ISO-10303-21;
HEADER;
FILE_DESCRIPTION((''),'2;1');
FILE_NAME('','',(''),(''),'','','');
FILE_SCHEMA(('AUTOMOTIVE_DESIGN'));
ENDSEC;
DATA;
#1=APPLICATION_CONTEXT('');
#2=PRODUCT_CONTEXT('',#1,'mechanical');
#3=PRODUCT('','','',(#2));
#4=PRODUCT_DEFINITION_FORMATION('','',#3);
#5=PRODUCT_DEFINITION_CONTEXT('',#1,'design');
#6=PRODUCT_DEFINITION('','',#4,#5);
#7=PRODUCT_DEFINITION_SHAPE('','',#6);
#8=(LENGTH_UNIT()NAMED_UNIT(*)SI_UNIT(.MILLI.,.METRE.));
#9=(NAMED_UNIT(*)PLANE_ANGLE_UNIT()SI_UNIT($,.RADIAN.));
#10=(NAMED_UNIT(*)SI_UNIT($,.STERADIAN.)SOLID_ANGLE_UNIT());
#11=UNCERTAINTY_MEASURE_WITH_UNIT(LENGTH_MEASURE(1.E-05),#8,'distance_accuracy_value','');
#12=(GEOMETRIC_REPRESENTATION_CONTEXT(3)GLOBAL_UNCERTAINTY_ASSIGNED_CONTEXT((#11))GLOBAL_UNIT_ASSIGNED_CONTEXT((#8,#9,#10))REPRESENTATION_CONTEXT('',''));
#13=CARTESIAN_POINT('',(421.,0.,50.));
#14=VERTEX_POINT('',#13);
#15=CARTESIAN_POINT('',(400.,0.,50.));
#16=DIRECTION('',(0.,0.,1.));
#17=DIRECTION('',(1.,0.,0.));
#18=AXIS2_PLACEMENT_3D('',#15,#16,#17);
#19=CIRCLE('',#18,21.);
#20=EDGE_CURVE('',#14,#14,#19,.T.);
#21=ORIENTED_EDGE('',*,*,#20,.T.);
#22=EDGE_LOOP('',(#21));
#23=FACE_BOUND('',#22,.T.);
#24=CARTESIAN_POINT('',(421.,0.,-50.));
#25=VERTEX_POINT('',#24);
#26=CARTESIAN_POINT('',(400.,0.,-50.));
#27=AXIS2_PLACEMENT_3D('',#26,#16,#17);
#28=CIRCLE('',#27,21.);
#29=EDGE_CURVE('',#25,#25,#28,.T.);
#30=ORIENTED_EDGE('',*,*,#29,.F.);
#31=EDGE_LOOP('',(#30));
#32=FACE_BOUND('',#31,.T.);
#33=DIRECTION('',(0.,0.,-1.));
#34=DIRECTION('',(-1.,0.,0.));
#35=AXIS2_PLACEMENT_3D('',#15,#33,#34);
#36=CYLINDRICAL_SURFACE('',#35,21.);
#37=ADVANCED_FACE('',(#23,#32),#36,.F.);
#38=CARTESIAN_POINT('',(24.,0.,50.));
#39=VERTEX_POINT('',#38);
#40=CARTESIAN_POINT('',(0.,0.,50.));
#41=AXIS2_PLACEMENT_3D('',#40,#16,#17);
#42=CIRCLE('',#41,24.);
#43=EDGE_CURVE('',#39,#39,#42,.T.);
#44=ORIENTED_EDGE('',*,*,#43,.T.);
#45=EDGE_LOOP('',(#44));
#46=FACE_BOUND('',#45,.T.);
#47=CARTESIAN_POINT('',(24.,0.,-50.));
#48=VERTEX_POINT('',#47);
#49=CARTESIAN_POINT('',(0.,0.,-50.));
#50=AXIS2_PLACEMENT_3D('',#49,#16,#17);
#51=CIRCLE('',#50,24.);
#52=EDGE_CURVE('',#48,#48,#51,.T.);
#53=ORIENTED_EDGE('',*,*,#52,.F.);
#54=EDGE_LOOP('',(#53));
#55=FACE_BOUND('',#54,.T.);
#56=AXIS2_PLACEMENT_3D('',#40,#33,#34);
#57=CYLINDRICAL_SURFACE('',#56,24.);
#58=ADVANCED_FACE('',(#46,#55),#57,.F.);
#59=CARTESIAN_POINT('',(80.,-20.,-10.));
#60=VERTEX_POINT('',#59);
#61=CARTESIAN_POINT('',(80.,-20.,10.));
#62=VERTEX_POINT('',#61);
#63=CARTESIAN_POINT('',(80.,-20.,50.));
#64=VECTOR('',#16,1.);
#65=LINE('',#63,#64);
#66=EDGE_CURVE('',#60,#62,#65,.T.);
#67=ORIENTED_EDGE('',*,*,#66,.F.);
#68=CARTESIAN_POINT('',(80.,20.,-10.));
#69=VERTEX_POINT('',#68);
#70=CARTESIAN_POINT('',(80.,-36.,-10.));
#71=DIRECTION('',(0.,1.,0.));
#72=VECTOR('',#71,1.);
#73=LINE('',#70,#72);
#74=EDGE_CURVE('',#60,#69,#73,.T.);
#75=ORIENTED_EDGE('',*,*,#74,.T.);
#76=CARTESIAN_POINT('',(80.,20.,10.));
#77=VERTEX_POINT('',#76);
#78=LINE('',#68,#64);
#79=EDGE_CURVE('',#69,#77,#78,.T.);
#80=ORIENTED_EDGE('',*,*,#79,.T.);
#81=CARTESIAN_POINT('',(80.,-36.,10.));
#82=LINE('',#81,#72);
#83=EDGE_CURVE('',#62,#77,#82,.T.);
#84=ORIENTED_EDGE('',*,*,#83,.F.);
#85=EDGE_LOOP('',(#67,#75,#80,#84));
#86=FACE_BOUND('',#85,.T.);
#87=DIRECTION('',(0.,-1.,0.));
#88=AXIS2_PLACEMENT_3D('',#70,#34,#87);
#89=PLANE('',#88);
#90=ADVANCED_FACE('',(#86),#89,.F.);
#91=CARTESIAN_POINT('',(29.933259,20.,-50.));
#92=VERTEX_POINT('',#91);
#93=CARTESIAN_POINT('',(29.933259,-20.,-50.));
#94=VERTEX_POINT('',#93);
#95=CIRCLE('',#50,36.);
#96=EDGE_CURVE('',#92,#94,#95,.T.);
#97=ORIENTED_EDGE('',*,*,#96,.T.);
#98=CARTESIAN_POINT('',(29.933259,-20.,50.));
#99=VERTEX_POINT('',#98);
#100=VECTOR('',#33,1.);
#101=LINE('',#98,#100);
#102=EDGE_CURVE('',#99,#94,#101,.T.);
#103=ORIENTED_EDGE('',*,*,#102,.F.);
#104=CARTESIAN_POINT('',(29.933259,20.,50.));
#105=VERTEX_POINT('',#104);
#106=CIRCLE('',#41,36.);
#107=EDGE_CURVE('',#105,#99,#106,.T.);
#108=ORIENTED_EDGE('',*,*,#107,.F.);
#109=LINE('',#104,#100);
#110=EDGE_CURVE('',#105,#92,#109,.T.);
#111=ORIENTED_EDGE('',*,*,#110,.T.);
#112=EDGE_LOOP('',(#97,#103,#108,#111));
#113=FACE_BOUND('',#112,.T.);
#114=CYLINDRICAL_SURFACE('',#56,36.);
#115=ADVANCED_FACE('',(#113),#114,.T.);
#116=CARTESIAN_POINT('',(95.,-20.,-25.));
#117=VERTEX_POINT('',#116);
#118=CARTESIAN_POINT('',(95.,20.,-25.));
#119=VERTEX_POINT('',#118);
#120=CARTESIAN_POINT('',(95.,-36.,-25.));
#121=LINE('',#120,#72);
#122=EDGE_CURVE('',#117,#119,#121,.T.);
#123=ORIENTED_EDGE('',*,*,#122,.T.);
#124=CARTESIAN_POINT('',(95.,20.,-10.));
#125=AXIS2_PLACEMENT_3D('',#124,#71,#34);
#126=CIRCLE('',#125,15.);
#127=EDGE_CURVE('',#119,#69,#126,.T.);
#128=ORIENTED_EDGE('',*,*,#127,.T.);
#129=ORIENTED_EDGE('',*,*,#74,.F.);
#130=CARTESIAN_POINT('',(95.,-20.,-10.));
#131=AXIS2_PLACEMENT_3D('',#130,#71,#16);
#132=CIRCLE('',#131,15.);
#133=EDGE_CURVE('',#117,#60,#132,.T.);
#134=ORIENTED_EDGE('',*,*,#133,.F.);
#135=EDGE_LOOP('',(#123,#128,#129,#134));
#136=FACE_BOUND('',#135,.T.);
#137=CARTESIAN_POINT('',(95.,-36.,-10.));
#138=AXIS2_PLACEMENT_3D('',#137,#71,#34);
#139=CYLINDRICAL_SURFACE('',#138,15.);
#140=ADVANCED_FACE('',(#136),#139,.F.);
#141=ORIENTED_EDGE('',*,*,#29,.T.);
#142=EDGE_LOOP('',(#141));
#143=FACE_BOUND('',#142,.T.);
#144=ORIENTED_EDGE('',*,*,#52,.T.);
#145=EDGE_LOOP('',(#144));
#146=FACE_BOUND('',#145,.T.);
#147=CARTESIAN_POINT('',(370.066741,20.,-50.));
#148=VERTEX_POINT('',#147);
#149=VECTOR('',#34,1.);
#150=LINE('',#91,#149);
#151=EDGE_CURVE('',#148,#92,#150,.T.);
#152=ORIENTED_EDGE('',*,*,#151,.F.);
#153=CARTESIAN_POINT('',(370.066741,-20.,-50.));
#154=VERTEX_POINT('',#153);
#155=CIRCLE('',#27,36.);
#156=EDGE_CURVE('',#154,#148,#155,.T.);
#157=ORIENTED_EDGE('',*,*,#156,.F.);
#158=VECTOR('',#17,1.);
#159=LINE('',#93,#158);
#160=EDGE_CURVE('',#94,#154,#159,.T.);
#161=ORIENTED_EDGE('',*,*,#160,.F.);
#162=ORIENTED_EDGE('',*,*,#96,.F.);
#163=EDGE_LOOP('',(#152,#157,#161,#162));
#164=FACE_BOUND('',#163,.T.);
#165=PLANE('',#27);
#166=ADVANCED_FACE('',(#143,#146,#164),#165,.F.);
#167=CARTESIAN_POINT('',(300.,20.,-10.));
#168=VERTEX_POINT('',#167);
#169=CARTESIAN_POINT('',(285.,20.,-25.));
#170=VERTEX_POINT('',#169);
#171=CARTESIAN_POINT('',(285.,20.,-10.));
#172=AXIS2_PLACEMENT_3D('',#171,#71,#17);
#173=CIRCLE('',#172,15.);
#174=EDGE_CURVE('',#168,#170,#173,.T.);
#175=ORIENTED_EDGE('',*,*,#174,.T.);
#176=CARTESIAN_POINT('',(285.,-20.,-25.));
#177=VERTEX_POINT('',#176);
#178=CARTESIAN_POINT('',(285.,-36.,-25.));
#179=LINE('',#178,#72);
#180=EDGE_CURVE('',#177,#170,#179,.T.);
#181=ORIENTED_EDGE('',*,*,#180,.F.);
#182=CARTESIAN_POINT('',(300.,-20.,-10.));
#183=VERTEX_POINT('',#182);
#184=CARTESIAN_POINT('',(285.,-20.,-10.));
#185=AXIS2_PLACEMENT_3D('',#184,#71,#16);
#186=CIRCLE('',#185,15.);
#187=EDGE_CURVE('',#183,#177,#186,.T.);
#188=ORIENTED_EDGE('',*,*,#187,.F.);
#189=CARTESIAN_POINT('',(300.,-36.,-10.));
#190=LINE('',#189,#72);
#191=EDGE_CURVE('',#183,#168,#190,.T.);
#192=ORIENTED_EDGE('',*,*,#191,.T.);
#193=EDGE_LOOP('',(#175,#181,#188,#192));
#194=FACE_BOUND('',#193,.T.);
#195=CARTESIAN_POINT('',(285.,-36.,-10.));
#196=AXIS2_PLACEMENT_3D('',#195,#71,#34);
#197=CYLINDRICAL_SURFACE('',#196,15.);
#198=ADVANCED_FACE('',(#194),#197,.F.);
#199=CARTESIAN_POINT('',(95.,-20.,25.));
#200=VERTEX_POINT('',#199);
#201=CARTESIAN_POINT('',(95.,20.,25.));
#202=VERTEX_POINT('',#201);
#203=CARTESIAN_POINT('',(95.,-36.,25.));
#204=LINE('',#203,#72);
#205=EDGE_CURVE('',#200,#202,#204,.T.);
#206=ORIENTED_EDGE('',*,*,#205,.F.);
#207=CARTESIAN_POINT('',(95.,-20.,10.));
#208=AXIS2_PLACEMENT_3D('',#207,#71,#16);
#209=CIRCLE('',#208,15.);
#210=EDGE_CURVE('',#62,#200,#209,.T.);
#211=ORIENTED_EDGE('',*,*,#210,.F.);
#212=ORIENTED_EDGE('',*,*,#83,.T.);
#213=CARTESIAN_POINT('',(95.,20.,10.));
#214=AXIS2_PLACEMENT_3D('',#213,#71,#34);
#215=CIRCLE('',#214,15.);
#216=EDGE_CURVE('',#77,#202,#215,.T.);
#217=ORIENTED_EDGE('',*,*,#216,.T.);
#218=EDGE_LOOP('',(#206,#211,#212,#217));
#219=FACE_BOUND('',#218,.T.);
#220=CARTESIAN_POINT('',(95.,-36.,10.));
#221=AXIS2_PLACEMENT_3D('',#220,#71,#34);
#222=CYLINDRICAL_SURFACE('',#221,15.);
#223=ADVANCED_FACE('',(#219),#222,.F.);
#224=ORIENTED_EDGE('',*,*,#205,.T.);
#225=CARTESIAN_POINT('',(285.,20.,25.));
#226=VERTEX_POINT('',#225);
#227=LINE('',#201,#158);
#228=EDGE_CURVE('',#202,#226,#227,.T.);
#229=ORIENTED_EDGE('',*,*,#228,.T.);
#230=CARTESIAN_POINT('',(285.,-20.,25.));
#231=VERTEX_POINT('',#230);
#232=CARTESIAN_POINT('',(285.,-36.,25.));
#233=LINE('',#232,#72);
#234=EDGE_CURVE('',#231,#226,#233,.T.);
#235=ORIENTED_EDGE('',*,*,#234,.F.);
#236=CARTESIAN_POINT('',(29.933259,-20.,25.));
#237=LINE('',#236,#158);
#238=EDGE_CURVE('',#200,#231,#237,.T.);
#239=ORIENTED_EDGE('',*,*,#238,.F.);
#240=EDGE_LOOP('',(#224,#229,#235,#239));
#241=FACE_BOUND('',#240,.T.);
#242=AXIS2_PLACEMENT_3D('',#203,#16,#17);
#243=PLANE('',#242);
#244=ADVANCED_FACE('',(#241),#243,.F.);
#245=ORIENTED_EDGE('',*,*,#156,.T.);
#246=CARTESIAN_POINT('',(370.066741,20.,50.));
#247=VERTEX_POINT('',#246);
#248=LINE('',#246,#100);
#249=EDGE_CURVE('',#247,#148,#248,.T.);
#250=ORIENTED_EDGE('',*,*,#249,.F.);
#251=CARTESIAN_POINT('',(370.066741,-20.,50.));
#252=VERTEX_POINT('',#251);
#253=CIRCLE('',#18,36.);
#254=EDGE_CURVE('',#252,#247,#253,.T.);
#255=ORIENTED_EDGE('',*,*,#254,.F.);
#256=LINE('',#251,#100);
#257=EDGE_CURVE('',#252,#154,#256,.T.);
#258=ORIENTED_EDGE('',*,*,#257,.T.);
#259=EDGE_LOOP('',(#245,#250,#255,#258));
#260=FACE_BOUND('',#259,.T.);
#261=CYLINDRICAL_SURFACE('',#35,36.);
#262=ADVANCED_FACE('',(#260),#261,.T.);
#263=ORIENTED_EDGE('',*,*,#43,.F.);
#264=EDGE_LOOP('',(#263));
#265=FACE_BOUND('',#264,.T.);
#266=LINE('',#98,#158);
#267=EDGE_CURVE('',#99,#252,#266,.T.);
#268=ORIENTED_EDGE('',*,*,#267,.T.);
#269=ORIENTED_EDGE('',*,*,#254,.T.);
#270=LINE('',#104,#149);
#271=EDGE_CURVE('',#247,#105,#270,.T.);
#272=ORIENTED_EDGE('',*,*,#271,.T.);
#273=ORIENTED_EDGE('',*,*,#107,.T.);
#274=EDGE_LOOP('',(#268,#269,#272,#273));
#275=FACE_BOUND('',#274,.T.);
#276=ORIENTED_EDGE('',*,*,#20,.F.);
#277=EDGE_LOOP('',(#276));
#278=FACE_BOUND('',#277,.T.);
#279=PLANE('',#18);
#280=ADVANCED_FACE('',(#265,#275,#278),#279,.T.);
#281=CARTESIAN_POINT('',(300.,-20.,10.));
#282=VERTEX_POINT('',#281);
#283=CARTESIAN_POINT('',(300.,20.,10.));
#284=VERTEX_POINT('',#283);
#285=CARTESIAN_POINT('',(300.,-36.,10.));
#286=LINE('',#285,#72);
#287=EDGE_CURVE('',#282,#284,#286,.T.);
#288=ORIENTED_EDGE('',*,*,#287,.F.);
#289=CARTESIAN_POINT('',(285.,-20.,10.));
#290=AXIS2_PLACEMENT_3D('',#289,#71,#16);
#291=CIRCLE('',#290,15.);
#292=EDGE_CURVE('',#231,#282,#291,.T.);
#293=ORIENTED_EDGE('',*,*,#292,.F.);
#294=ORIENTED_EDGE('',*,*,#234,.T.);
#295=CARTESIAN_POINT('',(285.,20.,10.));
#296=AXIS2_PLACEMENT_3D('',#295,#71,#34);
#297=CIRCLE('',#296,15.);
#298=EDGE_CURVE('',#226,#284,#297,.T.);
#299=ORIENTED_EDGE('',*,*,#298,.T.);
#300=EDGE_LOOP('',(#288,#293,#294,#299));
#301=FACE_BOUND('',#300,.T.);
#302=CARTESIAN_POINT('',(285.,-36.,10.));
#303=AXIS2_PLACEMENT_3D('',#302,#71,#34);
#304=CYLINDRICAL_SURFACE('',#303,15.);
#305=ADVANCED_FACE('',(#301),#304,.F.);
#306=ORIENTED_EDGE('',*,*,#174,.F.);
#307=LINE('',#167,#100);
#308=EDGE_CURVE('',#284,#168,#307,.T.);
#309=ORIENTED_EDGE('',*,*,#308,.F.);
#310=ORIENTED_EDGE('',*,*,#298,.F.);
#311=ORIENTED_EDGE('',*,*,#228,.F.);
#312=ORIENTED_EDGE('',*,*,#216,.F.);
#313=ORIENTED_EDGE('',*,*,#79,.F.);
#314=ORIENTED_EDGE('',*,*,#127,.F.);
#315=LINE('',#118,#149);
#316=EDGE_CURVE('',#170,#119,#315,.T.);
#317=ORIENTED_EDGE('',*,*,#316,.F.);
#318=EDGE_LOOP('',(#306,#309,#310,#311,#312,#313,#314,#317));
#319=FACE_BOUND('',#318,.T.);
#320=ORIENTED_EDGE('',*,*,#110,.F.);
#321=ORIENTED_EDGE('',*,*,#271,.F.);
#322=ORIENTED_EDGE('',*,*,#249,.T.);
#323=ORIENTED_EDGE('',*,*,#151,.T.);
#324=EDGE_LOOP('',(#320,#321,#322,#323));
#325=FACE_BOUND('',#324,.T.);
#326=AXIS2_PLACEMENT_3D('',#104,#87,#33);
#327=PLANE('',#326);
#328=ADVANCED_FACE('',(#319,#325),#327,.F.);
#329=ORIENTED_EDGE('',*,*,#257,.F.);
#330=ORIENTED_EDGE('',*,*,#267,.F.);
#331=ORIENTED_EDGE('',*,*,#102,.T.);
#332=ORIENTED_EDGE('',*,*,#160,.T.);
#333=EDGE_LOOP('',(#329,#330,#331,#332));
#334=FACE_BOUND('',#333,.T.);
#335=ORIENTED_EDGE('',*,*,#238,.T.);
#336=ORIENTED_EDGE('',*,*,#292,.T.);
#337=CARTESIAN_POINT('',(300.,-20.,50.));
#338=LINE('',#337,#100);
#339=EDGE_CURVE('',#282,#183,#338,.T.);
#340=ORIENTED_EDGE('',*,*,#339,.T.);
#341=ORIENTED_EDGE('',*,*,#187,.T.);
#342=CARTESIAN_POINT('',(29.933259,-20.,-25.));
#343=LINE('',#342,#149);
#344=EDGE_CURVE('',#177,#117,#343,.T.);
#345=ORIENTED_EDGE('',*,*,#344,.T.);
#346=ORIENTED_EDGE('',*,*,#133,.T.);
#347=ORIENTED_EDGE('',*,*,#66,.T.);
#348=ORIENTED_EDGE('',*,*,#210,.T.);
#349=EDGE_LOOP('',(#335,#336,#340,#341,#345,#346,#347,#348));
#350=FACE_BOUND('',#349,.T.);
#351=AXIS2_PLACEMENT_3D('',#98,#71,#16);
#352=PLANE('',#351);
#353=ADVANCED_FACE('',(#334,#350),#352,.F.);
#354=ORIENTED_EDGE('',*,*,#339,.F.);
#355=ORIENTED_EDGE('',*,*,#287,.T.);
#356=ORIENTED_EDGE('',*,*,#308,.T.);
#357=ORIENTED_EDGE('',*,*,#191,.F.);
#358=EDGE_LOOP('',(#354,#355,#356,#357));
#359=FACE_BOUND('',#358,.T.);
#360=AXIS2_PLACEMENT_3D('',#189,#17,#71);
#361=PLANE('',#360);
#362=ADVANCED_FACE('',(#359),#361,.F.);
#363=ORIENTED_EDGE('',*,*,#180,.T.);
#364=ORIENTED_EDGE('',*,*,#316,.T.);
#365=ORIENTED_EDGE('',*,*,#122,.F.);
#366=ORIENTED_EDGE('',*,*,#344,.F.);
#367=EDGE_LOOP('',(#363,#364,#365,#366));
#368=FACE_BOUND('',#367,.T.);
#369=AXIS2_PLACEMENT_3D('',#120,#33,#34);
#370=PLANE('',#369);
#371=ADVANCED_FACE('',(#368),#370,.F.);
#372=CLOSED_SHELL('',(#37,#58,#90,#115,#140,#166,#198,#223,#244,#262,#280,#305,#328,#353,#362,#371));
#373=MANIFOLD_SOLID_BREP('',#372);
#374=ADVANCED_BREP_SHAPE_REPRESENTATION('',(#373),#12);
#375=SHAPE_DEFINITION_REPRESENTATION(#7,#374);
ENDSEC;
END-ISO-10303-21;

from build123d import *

# Parameters (mm, degrees)
SKETCH2_R           = 24
SKETCH2_R_2         = 21
BOSS_EXTRUDE1_DEPTH = 50
CUT_EXTRUDE1_DEPTH  = 57


with BuildPart() as part:
    # Sketch2 → Boss-Extrude1 (new body, symmetric)
    with BuildSketch(Plane.XY):
        with BuildLine():
            Line((29.933259094, 20), (370.066740906, 20))
            ThreePointArc((370.066740906, 20), (436, 0), (370.066740906, -20))
            Line((370.066740906, -20), (29.933259094, -20))
            ThreePointArc((29.933259094, -20), (-36, 0), (29.933259094, 20))
        make_face()
        Circle(SKETCH2_R, mode=Mode.SUBTRACT)
        with Locations((400, 0)):
            Circle(SKETCH2_R_2, mode=Mode.SUBTRACT)
    extrude(amount=BOSS_EXTRUDE1_DEPTH, both=True)

    # Sketch3 → Cut-Extrude1 (cut, through all)
    with BuildSketch(Plane(origin=(0, 20, 0), x_dir=(1, 0, 0), z_dir=(0, 1, 0))):
        with BuildLine():
            Line((95, 25), (285, 25))
            ThreePointArc((285, 25), (295.606601718, 20.606601718), (300, 10))
            Line((300, 10), (300, -10))
            ThreePointArc((300, -10), (295.606601718, -20.606601718), (285, -25))
            Line((285, -25), (95, -25))
            ThreePointArc((95, -25), (84.393398282, -20.606601718), (80, -10))
            Line((80, -10), (80, 10))
            ThreePointArc((80, 10), (84.393398282, 20.606601718), (95, 25))
        make_face()
    extrude(amount=-CUT_EXTRUDE1_DEPTH, mode=Mode.SUBTRACT)


solid = part.part
